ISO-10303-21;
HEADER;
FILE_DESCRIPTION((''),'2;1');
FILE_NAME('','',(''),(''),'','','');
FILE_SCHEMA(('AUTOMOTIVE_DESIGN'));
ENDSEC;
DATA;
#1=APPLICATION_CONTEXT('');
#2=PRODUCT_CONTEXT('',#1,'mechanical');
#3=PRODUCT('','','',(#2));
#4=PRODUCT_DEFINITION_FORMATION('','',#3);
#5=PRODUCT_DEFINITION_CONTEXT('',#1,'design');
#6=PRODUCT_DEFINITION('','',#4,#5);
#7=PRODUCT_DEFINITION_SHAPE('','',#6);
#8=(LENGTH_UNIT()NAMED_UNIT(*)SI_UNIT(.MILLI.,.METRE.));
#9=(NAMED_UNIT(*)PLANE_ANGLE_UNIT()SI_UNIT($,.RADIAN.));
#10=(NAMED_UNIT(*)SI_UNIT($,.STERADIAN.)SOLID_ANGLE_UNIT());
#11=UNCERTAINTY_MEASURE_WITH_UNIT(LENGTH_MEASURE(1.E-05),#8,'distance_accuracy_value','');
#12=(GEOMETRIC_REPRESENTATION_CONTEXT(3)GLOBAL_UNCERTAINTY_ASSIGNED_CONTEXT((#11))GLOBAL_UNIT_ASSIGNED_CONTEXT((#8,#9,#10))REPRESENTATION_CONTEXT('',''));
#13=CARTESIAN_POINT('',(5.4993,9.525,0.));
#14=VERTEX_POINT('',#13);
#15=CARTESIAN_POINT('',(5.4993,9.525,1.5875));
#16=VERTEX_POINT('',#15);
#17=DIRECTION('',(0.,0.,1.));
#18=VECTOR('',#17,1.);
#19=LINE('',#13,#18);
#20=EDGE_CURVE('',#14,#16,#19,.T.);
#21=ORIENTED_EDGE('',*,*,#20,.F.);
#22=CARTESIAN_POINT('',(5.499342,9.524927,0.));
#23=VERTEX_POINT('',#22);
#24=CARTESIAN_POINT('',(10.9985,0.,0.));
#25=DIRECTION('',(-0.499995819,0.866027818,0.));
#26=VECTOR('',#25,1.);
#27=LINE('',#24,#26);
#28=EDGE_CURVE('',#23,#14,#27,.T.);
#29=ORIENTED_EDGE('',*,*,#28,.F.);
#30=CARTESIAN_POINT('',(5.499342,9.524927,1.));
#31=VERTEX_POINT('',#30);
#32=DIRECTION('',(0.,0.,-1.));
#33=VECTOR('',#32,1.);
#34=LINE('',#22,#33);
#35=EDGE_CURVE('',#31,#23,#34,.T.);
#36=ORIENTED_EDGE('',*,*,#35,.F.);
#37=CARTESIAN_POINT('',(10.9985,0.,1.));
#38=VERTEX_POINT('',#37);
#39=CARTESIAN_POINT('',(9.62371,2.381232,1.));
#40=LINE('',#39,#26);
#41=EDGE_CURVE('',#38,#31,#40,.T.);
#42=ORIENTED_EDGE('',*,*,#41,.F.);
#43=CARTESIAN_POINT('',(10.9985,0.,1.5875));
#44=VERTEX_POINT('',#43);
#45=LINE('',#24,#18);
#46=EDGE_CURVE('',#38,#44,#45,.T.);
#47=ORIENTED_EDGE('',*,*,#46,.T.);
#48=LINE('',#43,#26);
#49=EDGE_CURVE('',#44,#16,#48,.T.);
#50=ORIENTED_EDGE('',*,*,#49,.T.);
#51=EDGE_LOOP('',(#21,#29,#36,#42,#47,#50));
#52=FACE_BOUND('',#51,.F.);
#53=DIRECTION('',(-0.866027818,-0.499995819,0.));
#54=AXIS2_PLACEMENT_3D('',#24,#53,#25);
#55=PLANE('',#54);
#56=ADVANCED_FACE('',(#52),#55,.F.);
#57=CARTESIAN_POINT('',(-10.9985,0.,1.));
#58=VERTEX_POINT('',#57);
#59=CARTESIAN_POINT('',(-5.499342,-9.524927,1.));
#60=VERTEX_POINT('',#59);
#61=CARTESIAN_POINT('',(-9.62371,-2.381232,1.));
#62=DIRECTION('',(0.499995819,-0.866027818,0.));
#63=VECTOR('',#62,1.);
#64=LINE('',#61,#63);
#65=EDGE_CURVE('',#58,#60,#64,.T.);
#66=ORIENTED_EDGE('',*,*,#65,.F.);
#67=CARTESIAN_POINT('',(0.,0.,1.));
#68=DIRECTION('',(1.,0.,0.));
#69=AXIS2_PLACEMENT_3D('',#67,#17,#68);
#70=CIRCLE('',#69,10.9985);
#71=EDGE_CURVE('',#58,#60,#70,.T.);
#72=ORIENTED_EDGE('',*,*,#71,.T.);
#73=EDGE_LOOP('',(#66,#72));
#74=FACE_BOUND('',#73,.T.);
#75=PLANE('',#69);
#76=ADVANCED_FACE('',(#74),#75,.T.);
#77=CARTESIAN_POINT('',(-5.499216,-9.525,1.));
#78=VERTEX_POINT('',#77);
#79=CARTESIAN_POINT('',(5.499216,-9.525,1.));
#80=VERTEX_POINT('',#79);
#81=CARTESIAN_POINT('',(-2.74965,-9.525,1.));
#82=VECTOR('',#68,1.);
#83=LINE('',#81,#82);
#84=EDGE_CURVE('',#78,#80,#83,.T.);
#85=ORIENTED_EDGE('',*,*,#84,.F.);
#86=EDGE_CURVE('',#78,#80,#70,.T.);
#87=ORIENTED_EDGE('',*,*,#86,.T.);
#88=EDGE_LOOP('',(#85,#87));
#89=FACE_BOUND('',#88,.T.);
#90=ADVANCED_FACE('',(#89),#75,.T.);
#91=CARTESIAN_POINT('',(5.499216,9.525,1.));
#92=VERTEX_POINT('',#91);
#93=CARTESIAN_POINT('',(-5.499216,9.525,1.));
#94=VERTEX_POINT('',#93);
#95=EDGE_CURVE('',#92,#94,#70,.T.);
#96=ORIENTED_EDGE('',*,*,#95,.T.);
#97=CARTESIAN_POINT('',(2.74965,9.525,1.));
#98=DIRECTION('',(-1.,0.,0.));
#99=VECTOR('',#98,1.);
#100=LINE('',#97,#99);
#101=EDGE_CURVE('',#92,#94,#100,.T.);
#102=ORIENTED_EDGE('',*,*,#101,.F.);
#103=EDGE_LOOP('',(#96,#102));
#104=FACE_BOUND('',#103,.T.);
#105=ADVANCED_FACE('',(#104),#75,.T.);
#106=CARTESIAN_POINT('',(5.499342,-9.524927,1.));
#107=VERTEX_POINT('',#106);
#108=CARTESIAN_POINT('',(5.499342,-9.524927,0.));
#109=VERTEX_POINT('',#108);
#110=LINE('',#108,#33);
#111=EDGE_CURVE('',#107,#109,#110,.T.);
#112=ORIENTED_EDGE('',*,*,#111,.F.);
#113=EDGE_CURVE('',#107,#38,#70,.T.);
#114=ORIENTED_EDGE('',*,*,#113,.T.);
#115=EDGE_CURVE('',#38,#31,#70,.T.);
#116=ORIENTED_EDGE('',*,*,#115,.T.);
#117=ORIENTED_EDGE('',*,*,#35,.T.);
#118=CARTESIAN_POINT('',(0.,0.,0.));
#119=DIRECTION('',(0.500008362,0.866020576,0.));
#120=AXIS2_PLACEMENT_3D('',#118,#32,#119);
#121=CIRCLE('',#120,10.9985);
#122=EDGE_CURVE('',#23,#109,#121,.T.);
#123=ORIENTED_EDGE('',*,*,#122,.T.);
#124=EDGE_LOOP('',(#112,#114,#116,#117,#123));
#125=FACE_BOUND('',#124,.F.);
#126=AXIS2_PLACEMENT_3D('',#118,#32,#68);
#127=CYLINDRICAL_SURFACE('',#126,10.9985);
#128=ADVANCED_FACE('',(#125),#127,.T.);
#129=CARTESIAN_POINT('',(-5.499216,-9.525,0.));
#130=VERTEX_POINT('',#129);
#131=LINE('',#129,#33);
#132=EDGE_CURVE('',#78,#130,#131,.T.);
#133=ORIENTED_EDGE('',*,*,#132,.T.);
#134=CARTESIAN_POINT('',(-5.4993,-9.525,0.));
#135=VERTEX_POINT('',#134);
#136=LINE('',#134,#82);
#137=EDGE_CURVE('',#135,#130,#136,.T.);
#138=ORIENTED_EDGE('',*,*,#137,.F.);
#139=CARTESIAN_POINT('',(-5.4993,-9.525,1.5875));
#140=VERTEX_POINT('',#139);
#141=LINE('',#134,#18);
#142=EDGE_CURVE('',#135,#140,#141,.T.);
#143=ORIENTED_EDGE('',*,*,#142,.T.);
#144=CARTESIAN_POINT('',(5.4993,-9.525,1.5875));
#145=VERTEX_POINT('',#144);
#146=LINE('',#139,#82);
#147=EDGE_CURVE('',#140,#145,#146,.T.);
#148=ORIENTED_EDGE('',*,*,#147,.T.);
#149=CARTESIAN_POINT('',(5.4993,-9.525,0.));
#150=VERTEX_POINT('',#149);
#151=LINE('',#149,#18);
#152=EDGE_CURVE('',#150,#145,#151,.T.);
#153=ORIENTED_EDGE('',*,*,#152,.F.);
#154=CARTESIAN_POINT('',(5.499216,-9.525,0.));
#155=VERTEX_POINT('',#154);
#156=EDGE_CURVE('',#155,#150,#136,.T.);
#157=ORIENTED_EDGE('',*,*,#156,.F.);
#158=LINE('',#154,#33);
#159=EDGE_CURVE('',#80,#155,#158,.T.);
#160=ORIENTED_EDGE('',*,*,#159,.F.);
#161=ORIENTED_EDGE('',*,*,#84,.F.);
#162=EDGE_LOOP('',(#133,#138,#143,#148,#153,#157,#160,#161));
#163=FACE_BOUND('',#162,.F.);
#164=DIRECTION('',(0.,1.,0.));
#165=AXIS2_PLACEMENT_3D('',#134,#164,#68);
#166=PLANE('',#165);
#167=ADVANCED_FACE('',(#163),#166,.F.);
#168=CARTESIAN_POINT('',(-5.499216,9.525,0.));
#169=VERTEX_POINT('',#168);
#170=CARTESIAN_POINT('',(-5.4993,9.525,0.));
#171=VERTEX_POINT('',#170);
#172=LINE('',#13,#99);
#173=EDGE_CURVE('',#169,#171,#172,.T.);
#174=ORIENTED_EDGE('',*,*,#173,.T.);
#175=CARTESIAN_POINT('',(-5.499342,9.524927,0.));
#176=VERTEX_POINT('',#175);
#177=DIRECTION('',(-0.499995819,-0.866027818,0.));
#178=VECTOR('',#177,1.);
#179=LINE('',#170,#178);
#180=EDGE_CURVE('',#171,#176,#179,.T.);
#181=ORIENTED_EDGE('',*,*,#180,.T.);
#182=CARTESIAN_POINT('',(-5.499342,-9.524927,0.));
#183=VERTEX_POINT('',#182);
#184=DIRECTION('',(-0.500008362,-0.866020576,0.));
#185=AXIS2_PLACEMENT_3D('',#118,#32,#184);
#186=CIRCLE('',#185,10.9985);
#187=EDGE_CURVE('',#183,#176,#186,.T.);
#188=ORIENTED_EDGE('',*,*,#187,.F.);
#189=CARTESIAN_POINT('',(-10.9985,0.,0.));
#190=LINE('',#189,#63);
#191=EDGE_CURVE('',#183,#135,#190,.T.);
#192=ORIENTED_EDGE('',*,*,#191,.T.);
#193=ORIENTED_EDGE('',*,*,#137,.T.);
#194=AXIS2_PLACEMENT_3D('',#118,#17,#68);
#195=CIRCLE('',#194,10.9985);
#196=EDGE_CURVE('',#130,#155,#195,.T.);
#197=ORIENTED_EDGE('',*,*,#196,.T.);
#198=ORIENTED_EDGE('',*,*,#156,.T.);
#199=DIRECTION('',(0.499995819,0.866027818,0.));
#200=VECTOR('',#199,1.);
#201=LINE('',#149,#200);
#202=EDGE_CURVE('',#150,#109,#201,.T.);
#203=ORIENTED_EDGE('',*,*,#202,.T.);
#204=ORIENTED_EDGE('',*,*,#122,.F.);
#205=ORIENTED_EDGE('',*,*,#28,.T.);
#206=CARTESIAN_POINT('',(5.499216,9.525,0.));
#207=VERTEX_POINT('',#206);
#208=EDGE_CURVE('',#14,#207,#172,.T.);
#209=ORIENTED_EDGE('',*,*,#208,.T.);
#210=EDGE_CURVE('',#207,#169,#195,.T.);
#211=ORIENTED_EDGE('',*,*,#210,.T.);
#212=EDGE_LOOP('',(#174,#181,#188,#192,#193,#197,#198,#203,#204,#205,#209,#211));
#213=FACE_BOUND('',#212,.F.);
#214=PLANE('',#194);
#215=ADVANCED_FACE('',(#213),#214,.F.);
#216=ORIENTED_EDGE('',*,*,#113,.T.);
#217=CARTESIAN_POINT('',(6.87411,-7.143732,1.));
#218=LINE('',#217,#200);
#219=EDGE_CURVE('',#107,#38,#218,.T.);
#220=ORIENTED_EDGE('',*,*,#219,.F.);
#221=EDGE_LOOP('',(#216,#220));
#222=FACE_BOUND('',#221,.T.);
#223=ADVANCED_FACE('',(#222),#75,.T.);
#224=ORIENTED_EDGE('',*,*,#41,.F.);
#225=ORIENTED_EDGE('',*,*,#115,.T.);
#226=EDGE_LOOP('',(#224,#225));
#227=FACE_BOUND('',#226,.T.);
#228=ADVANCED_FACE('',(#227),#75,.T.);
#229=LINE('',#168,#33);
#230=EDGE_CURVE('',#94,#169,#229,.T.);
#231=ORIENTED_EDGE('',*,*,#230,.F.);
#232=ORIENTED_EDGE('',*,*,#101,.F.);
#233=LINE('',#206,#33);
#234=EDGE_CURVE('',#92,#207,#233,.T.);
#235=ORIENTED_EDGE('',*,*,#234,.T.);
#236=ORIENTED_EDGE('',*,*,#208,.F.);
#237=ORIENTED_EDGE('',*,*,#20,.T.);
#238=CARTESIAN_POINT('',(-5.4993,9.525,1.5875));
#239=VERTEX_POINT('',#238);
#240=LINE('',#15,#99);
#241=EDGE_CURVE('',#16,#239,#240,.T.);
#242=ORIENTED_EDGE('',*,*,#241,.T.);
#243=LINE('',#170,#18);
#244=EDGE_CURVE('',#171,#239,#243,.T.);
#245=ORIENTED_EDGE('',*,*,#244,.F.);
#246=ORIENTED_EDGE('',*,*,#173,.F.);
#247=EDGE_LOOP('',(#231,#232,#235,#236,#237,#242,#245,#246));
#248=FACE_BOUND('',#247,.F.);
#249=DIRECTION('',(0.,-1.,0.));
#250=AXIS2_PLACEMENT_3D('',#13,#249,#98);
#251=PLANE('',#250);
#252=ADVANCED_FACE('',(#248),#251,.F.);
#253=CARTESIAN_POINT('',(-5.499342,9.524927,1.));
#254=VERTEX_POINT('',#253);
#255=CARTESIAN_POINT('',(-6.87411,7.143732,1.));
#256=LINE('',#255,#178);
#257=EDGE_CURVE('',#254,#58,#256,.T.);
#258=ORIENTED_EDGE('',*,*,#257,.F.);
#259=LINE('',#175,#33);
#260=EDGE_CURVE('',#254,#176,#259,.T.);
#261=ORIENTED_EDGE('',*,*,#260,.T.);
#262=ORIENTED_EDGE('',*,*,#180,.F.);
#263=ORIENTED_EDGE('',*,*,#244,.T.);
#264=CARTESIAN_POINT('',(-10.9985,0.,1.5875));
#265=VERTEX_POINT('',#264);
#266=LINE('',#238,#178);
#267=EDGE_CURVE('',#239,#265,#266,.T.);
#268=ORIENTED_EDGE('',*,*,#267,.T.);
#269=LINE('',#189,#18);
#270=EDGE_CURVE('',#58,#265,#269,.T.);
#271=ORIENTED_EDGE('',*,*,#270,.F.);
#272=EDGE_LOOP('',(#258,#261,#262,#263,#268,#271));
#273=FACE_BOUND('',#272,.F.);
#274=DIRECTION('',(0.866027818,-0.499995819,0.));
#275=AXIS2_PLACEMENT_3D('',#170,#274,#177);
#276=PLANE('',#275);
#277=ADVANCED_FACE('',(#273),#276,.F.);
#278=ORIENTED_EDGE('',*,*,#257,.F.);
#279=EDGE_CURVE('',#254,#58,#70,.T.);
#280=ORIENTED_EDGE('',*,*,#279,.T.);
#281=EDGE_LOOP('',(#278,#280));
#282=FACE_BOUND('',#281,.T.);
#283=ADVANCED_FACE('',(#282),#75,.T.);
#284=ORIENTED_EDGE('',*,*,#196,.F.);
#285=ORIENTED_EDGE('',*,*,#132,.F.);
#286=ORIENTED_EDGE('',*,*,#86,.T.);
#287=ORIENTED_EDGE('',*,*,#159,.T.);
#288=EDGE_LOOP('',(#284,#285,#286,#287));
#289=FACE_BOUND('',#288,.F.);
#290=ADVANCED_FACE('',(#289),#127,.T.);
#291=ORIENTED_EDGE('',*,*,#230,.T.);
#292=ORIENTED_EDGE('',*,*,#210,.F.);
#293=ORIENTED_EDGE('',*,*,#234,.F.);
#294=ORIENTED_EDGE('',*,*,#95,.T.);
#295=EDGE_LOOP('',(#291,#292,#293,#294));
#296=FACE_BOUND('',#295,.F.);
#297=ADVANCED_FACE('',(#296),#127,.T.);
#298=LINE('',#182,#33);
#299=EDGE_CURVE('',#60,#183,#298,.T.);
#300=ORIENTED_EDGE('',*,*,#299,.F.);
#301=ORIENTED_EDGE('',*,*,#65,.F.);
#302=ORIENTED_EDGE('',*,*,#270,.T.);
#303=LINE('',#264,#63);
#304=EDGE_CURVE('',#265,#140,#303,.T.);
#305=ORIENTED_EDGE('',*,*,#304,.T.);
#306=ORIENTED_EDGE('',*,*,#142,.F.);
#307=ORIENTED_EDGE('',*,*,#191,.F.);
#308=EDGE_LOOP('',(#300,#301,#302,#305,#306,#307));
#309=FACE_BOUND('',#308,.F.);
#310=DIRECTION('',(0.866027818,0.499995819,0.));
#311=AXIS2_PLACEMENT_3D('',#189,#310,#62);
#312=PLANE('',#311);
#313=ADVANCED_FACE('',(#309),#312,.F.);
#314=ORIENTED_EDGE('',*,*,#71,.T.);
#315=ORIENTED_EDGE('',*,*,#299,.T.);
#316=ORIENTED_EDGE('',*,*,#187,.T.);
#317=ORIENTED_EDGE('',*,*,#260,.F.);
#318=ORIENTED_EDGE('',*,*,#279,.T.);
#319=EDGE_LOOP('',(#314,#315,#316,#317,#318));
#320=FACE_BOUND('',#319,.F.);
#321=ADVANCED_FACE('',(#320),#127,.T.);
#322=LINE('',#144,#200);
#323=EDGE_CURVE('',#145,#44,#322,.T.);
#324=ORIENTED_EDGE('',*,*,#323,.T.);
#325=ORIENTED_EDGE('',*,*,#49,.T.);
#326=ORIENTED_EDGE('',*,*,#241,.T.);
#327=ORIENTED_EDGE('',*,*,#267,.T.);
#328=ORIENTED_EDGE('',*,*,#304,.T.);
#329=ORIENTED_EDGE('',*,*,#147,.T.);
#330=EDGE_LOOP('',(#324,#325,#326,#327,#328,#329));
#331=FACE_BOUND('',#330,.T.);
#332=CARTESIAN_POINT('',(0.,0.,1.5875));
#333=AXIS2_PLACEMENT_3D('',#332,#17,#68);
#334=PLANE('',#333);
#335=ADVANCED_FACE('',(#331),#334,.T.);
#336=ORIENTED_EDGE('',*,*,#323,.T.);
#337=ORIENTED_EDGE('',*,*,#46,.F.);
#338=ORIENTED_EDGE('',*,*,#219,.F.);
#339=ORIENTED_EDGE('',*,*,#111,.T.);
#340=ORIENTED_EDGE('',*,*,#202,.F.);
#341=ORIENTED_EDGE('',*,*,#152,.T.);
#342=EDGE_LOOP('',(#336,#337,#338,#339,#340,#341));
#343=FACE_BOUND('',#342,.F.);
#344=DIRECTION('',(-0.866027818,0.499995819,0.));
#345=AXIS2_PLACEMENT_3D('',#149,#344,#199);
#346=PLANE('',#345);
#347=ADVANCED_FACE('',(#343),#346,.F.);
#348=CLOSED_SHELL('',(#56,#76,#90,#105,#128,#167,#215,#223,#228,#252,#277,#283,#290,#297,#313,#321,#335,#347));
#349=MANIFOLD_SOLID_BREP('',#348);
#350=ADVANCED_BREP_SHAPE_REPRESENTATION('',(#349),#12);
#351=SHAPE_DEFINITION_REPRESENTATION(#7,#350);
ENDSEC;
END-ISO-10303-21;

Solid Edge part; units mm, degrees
sketch "Sketch1" plane through (0, 0, 0) normal (0, 0, 1) x (1, 0, 0)
  line L0 (5.4993, -9.525) -> (10.9985, 0)
  line L1 (10.9985, 0) -> (5.4993, 9.525)
  line L2 (5.4993, 9.525) -> (-5.4993, 9.525)
  line L3 (-5.4993, 9.525) -> (-10.9985, 0)
  line L4 (-10.9985, 0) -> (-5.4993, -9.525)
  line L5 (-5.4993, -9.525) -> (5.4993, -9.525)
extrude "Protrusion1" add sketch "Sketch1" along normal blind 1.5875
sketch "Sketch2" plane through (0, 0, 0) normal (0, 0, 1) x (1, 0, 0)
  circle A0 centre (0, 0) radius 10.9985
extrude "ExtrudedCutout_1" add sketch "Sketch2" along normal blind 1
